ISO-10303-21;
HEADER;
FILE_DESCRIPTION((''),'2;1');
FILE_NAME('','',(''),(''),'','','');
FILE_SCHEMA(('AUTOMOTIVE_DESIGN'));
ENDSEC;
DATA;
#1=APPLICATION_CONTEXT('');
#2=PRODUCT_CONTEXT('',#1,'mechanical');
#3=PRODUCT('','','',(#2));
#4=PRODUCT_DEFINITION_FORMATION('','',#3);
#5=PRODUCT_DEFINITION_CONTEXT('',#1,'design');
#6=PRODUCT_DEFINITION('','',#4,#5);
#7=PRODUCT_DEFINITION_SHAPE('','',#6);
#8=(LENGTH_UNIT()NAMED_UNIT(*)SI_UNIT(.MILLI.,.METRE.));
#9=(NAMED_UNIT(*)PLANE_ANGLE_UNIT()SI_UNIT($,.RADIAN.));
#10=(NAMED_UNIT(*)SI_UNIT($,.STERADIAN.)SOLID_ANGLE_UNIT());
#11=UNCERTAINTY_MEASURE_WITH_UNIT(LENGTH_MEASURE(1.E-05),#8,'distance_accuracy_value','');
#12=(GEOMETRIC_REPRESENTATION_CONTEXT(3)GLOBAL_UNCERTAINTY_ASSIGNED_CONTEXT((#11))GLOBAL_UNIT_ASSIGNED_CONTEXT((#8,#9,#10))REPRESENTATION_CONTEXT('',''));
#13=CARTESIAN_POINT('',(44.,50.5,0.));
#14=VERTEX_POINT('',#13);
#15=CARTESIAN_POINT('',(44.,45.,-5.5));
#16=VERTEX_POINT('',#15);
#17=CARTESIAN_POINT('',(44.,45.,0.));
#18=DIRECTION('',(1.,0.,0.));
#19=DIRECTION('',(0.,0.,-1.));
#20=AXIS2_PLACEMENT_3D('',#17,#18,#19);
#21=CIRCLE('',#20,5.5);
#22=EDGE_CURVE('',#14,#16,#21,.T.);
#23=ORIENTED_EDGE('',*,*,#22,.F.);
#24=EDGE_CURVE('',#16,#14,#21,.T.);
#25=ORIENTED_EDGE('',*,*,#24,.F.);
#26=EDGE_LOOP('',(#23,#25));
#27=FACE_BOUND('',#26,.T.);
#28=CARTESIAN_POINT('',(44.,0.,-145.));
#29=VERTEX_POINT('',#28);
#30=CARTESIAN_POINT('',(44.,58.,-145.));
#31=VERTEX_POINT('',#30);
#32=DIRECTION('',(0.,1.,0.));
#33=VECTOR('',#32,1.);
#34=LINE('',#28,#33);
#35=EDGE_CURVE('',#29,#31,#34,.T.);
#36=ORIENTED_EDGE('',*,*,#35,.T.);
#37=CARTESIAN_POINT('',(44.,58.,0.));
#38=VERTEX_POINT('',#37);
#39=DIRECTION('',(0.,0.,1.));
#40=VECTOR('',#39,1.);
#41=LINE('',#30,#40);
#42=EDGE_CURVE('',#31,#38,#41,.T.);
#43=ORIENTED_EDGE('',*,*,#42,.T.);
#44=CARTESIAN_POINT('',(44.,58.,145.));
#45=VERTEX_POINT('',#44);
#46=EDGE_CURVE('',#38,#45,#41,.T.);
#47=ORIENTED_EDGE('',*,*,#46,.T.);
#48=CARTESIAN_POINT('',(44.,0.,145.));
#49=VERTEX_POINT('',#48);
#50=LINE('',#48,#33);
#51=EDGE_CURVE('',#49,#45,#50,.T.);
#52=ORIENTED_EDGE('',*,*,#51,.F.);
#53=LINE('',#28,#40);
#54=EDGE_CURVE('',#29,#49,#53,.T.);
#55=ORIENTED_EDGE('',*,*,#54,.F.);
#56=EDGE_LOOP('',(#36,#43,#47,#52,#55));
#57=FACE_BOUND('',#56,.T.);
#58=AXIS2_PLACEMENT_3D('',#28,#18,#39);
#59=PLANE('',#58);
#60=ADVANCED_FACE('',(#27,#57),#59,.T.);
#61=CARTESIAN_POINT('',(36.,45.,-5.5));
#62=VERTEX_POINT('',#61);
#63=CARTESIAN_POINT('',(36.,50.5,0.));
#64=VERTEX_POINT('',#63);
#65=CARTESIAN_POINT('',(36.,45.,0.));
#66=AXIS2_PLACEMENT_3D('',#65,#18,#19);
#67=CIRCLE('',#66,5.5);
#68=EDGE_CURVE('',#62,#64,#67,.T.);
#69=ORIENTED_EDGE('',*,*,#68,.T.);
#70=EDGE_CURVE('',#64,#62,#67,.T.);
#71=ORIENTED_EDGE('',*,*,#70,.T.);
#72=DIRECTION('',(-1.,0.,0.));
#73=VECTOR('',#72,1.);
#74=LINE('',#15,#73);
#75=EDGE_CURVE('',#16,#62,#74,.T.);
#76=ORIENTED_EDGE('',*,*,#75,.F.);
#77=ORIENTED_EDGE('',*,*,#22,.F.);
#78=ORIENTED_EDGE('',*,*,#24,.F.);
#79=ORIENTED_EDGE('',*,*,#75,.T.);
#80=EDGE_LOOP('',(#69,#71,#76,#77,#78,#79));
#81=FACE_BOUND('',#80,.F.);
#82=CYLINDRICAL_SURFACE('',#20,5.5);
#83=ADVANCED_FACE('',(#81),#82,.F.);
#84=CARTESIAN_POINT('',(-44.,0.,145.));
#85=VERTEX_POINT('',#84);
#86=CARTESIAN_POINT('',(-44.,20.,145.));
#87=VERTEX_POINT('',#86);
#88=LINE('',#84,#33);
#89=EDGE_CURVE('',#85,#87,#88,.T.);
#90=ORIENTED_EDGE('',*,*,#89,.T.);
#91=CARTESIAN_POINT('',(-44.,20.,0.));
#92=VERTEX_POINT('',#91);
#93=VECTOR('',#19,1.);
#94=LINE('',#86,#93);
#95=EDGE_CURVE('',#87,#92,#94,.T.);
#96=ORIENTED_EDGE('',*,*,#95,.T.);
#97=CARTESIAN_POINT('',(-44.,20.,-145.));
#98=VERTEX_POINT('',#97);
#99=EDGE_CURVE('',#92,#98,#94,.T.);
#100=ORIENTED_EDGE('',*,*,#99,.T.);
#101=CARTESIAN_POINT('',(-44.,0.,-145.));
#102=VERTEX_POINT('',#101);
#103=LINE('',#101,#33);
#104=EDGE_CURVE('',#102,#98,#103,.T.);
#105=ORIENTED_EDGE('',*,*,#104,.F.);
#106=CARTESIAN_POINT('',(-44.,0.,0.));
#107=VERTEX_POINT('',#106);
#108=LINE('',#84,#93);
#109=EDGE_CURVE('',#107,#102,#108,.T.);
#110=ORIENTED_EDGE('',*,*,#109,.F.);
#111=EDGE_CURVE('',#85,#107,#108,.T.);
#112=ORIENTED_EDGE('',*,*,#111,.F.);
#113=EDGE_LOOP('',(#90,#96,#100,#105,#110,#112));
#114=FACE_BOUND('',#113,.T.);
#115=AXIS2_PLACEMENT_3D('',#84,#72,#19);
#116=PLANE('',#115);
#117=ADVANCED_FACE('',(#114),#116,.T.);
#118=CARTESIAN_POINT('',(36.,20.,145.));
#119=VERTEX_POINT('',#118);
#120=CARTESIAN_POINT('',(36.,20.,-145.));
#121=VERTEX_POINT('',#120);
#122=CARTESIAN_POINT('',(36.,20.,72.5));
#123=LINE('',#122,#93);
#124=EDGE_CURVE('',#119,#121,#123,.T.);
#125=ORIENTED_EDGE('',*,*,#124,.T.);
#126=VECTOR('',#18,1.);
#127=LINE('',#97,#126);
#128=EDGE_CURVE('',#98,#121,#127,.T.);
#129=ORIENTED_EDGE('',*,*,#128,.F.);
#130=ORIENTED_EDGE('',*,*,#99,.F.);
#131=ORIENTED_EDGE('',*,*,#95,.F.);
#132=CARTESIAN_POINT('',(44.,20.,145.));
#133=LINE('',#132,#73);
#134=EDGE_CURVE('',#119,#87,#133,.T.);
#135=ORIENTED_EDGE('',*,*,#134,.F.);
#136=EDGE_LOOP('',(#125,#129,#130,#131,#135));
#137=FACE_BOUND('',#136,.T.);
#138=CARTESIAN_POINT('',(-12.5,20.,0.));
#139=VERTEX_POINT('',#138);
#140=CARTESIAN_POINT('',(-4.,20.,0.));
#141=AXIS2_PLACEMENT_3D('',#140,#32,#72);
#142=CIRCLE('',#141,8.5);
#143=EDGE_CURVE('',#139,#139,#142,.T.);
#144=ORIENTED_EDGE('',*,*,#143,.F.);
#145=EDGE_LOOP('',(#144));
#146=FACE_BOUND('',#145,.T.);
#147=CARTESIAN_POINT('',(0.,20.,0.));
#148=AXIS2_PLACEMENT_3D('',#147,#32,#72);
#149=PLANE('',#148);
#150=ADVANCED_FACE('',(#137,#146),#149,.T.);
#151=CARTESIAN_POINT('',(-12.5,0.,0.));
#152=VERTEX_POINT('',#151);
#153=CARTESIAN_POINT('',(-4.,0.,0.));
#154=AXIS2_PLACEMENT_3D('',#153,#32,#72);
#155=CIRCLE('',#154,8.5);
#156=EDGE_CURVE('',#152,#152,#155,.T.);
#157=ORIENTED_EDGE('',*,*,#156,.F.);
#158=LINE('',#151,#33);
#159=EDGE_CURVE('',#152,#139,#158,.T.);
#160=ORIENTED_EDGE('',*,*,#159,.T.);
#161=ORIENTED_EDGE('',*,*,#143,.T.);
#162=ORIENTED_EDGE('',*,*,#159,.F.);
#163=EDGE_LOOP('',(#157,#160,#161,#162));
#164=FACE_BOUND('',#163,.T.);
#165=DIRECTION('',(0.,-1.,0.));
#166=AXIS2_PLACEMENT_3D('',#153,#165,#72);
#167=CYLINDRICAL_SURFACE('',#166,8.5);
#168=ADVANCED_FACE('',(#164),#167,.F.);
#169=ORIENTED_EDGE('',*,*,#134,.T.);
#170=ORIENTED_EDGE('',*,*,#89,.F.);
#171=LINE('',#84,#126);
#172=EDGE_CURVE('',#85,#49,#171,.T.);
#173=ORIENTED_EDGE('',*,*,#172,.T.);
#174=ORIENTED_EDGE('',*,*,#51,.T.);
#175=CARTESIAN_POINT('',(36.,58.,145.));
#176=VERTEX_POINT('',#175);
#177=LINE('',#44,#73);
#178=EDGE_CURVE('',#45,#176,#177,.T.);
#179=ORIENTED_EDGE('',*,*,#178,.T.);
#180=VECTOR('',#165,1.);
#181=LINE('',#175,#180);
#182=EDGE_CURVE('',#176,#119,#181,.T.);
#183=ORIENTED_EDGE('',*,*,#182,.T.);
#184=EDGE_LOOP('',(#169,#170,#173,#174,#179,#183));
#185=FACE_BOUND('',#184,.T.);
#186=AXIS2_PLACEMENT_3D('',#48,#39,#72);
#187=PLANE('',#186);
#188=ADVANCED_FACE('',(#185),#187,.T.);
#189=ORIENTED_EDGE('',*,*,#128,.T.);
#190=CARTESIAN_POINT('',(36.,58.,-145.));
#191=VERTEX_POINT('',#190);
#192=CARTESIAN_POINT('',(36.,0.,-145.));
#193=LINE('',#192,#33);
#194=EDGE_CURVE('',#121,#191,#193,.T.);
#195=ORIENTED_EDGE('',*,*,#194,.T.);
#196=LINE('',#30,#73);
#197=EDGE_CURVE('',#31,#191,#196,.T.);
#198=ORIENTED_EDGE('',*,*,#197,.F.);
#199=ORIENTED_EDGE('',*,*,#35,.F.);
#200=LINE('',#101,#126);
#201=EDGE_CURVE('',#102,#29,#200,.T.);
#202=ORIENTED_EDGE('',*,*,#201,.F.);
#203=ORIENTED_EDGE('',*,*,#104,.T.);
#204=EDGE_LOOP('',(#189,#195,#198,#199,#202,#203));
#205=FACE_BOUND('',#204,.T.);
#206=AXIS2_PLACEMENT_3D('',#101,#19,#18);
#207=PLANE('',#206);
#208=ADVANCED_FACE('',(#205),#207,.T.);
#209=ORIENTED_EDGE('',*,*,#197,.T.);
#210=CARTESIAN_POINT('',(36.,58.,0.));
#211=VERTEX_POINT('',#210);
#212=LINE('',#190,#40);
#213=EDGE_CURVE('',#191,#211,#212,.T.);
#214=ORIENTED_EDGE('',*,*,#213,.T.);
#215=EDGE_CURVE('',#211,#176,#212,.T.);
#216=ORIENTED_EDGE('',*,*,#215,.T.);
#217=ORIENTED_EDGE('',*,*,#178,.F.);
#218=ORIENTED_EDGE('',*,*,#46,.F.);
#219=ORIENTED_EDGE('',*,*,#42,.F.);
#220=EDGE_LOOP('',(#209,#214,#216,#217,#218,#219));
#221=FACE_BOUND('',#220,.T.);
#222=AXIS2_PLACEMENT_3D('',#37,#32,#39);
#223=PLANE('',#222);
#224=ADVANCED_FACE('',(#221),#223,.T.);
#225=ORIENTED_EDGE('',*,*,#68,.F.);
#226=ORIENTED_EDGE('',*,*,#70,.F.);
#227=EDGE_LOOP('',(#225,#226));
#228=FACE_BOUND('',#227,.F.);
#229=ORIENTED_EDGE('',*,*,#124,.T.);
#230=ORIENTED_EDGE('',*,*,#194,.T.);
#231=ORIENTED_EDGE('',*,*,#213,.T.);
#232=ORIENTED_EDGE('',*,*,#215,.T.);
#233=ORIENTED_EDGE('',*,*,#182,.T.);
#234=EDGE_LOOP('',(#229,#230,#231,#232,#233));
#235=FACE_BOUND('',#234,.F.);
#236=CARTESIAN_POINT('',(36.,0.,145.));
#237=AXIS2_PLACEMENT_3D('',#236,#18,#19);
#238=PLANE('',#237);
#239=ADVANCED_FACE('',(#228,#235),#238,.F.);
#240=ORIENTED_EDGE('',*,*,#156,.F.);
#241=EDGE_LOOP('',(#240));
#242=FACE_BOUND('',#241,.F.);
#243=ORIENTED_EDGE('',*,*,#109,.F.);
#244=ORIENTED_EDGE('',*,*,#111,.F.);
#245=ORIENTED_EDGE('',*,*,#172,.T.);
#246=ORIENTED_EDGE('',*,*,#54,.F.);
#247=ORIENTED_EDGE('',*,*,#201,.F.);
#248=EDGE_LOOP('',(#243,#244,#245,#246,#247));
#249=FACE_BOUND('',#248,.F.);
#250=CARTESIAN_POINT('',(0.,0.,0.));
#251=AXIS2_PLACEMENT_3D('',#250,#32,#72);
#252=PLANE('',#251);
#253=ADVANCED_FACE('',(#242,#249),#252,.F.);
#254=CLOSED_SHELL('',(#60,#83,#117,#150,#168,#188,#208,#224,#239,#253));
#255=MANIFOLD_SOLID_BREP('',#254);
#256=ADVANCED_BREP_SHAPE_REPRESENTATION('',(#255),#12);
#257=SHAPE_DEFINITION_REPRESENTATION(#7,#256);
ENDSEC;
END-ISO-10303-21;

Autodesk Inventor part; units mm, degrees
ref_plane "YZ Plane" through (0, 0, 0) normal (1, 0, 0) x (0, 1, 0)
ref_plane "XZ Plane" through (0, 0, 0) normal (0, 1, 0) x (-1, 0, 0)
ref_plane "XY Plane" through (0, 0, 0) normal (0, 0, 1) x (1, 0, 0)
sketch "Эскиз1" plane through (0, 0, 0) normal (0, 1, 0) x (-1, 0, 0)
  line L0 (-44, 145) -> (44, 145)
  line L1 (44, 145) -> (44, -145)
  line L2 (44, -145) -> (-44, -145)
  line L3 (-44, -145) -> (-44, 145)
  line L4 (-44, 145) -> (44, -145) construction
  line L5 (44, 145) -> (-44, -145) construction
  line L6 (44, 0) -> (4, 0)
  circle A0 centre (4, 0) radius 8.5
  point P0 (0, 0)
  dimension "d0" = 88
  dimension "d1" = 290
  dimension "d2" = 40
  dimension "d3" = 17
extrude "Выдавливание1" add sketch "Эскиз1" along normal blind 20
sketch "Эскиз2" plane through (44, 0, 145) normal (1, 0, 0) x (0, 0, -1)
  line L0 (0, 0) -> (290, 0)
  line L1 (290, 0) -> (290, 58)
  line L2 (290, 58) -> (0, 58)
  line L3 (0, 58) -> (0, 0)
  line L4 (0, 58) -> (145, 58)
  line L5 (145, 58) -> (145, 45)
  circle A0 centre (145, 45) radius 5.5
  point P0 (145, 0)
  dimension "d6" = 58
  dimension "d7" = 145
  dimension "d8" = 13
  dimension "d9" = 11
extrude "Выдавливание2" add sketch "Эскиз2" against normal blind 8
properties part number "Угольник-10"
